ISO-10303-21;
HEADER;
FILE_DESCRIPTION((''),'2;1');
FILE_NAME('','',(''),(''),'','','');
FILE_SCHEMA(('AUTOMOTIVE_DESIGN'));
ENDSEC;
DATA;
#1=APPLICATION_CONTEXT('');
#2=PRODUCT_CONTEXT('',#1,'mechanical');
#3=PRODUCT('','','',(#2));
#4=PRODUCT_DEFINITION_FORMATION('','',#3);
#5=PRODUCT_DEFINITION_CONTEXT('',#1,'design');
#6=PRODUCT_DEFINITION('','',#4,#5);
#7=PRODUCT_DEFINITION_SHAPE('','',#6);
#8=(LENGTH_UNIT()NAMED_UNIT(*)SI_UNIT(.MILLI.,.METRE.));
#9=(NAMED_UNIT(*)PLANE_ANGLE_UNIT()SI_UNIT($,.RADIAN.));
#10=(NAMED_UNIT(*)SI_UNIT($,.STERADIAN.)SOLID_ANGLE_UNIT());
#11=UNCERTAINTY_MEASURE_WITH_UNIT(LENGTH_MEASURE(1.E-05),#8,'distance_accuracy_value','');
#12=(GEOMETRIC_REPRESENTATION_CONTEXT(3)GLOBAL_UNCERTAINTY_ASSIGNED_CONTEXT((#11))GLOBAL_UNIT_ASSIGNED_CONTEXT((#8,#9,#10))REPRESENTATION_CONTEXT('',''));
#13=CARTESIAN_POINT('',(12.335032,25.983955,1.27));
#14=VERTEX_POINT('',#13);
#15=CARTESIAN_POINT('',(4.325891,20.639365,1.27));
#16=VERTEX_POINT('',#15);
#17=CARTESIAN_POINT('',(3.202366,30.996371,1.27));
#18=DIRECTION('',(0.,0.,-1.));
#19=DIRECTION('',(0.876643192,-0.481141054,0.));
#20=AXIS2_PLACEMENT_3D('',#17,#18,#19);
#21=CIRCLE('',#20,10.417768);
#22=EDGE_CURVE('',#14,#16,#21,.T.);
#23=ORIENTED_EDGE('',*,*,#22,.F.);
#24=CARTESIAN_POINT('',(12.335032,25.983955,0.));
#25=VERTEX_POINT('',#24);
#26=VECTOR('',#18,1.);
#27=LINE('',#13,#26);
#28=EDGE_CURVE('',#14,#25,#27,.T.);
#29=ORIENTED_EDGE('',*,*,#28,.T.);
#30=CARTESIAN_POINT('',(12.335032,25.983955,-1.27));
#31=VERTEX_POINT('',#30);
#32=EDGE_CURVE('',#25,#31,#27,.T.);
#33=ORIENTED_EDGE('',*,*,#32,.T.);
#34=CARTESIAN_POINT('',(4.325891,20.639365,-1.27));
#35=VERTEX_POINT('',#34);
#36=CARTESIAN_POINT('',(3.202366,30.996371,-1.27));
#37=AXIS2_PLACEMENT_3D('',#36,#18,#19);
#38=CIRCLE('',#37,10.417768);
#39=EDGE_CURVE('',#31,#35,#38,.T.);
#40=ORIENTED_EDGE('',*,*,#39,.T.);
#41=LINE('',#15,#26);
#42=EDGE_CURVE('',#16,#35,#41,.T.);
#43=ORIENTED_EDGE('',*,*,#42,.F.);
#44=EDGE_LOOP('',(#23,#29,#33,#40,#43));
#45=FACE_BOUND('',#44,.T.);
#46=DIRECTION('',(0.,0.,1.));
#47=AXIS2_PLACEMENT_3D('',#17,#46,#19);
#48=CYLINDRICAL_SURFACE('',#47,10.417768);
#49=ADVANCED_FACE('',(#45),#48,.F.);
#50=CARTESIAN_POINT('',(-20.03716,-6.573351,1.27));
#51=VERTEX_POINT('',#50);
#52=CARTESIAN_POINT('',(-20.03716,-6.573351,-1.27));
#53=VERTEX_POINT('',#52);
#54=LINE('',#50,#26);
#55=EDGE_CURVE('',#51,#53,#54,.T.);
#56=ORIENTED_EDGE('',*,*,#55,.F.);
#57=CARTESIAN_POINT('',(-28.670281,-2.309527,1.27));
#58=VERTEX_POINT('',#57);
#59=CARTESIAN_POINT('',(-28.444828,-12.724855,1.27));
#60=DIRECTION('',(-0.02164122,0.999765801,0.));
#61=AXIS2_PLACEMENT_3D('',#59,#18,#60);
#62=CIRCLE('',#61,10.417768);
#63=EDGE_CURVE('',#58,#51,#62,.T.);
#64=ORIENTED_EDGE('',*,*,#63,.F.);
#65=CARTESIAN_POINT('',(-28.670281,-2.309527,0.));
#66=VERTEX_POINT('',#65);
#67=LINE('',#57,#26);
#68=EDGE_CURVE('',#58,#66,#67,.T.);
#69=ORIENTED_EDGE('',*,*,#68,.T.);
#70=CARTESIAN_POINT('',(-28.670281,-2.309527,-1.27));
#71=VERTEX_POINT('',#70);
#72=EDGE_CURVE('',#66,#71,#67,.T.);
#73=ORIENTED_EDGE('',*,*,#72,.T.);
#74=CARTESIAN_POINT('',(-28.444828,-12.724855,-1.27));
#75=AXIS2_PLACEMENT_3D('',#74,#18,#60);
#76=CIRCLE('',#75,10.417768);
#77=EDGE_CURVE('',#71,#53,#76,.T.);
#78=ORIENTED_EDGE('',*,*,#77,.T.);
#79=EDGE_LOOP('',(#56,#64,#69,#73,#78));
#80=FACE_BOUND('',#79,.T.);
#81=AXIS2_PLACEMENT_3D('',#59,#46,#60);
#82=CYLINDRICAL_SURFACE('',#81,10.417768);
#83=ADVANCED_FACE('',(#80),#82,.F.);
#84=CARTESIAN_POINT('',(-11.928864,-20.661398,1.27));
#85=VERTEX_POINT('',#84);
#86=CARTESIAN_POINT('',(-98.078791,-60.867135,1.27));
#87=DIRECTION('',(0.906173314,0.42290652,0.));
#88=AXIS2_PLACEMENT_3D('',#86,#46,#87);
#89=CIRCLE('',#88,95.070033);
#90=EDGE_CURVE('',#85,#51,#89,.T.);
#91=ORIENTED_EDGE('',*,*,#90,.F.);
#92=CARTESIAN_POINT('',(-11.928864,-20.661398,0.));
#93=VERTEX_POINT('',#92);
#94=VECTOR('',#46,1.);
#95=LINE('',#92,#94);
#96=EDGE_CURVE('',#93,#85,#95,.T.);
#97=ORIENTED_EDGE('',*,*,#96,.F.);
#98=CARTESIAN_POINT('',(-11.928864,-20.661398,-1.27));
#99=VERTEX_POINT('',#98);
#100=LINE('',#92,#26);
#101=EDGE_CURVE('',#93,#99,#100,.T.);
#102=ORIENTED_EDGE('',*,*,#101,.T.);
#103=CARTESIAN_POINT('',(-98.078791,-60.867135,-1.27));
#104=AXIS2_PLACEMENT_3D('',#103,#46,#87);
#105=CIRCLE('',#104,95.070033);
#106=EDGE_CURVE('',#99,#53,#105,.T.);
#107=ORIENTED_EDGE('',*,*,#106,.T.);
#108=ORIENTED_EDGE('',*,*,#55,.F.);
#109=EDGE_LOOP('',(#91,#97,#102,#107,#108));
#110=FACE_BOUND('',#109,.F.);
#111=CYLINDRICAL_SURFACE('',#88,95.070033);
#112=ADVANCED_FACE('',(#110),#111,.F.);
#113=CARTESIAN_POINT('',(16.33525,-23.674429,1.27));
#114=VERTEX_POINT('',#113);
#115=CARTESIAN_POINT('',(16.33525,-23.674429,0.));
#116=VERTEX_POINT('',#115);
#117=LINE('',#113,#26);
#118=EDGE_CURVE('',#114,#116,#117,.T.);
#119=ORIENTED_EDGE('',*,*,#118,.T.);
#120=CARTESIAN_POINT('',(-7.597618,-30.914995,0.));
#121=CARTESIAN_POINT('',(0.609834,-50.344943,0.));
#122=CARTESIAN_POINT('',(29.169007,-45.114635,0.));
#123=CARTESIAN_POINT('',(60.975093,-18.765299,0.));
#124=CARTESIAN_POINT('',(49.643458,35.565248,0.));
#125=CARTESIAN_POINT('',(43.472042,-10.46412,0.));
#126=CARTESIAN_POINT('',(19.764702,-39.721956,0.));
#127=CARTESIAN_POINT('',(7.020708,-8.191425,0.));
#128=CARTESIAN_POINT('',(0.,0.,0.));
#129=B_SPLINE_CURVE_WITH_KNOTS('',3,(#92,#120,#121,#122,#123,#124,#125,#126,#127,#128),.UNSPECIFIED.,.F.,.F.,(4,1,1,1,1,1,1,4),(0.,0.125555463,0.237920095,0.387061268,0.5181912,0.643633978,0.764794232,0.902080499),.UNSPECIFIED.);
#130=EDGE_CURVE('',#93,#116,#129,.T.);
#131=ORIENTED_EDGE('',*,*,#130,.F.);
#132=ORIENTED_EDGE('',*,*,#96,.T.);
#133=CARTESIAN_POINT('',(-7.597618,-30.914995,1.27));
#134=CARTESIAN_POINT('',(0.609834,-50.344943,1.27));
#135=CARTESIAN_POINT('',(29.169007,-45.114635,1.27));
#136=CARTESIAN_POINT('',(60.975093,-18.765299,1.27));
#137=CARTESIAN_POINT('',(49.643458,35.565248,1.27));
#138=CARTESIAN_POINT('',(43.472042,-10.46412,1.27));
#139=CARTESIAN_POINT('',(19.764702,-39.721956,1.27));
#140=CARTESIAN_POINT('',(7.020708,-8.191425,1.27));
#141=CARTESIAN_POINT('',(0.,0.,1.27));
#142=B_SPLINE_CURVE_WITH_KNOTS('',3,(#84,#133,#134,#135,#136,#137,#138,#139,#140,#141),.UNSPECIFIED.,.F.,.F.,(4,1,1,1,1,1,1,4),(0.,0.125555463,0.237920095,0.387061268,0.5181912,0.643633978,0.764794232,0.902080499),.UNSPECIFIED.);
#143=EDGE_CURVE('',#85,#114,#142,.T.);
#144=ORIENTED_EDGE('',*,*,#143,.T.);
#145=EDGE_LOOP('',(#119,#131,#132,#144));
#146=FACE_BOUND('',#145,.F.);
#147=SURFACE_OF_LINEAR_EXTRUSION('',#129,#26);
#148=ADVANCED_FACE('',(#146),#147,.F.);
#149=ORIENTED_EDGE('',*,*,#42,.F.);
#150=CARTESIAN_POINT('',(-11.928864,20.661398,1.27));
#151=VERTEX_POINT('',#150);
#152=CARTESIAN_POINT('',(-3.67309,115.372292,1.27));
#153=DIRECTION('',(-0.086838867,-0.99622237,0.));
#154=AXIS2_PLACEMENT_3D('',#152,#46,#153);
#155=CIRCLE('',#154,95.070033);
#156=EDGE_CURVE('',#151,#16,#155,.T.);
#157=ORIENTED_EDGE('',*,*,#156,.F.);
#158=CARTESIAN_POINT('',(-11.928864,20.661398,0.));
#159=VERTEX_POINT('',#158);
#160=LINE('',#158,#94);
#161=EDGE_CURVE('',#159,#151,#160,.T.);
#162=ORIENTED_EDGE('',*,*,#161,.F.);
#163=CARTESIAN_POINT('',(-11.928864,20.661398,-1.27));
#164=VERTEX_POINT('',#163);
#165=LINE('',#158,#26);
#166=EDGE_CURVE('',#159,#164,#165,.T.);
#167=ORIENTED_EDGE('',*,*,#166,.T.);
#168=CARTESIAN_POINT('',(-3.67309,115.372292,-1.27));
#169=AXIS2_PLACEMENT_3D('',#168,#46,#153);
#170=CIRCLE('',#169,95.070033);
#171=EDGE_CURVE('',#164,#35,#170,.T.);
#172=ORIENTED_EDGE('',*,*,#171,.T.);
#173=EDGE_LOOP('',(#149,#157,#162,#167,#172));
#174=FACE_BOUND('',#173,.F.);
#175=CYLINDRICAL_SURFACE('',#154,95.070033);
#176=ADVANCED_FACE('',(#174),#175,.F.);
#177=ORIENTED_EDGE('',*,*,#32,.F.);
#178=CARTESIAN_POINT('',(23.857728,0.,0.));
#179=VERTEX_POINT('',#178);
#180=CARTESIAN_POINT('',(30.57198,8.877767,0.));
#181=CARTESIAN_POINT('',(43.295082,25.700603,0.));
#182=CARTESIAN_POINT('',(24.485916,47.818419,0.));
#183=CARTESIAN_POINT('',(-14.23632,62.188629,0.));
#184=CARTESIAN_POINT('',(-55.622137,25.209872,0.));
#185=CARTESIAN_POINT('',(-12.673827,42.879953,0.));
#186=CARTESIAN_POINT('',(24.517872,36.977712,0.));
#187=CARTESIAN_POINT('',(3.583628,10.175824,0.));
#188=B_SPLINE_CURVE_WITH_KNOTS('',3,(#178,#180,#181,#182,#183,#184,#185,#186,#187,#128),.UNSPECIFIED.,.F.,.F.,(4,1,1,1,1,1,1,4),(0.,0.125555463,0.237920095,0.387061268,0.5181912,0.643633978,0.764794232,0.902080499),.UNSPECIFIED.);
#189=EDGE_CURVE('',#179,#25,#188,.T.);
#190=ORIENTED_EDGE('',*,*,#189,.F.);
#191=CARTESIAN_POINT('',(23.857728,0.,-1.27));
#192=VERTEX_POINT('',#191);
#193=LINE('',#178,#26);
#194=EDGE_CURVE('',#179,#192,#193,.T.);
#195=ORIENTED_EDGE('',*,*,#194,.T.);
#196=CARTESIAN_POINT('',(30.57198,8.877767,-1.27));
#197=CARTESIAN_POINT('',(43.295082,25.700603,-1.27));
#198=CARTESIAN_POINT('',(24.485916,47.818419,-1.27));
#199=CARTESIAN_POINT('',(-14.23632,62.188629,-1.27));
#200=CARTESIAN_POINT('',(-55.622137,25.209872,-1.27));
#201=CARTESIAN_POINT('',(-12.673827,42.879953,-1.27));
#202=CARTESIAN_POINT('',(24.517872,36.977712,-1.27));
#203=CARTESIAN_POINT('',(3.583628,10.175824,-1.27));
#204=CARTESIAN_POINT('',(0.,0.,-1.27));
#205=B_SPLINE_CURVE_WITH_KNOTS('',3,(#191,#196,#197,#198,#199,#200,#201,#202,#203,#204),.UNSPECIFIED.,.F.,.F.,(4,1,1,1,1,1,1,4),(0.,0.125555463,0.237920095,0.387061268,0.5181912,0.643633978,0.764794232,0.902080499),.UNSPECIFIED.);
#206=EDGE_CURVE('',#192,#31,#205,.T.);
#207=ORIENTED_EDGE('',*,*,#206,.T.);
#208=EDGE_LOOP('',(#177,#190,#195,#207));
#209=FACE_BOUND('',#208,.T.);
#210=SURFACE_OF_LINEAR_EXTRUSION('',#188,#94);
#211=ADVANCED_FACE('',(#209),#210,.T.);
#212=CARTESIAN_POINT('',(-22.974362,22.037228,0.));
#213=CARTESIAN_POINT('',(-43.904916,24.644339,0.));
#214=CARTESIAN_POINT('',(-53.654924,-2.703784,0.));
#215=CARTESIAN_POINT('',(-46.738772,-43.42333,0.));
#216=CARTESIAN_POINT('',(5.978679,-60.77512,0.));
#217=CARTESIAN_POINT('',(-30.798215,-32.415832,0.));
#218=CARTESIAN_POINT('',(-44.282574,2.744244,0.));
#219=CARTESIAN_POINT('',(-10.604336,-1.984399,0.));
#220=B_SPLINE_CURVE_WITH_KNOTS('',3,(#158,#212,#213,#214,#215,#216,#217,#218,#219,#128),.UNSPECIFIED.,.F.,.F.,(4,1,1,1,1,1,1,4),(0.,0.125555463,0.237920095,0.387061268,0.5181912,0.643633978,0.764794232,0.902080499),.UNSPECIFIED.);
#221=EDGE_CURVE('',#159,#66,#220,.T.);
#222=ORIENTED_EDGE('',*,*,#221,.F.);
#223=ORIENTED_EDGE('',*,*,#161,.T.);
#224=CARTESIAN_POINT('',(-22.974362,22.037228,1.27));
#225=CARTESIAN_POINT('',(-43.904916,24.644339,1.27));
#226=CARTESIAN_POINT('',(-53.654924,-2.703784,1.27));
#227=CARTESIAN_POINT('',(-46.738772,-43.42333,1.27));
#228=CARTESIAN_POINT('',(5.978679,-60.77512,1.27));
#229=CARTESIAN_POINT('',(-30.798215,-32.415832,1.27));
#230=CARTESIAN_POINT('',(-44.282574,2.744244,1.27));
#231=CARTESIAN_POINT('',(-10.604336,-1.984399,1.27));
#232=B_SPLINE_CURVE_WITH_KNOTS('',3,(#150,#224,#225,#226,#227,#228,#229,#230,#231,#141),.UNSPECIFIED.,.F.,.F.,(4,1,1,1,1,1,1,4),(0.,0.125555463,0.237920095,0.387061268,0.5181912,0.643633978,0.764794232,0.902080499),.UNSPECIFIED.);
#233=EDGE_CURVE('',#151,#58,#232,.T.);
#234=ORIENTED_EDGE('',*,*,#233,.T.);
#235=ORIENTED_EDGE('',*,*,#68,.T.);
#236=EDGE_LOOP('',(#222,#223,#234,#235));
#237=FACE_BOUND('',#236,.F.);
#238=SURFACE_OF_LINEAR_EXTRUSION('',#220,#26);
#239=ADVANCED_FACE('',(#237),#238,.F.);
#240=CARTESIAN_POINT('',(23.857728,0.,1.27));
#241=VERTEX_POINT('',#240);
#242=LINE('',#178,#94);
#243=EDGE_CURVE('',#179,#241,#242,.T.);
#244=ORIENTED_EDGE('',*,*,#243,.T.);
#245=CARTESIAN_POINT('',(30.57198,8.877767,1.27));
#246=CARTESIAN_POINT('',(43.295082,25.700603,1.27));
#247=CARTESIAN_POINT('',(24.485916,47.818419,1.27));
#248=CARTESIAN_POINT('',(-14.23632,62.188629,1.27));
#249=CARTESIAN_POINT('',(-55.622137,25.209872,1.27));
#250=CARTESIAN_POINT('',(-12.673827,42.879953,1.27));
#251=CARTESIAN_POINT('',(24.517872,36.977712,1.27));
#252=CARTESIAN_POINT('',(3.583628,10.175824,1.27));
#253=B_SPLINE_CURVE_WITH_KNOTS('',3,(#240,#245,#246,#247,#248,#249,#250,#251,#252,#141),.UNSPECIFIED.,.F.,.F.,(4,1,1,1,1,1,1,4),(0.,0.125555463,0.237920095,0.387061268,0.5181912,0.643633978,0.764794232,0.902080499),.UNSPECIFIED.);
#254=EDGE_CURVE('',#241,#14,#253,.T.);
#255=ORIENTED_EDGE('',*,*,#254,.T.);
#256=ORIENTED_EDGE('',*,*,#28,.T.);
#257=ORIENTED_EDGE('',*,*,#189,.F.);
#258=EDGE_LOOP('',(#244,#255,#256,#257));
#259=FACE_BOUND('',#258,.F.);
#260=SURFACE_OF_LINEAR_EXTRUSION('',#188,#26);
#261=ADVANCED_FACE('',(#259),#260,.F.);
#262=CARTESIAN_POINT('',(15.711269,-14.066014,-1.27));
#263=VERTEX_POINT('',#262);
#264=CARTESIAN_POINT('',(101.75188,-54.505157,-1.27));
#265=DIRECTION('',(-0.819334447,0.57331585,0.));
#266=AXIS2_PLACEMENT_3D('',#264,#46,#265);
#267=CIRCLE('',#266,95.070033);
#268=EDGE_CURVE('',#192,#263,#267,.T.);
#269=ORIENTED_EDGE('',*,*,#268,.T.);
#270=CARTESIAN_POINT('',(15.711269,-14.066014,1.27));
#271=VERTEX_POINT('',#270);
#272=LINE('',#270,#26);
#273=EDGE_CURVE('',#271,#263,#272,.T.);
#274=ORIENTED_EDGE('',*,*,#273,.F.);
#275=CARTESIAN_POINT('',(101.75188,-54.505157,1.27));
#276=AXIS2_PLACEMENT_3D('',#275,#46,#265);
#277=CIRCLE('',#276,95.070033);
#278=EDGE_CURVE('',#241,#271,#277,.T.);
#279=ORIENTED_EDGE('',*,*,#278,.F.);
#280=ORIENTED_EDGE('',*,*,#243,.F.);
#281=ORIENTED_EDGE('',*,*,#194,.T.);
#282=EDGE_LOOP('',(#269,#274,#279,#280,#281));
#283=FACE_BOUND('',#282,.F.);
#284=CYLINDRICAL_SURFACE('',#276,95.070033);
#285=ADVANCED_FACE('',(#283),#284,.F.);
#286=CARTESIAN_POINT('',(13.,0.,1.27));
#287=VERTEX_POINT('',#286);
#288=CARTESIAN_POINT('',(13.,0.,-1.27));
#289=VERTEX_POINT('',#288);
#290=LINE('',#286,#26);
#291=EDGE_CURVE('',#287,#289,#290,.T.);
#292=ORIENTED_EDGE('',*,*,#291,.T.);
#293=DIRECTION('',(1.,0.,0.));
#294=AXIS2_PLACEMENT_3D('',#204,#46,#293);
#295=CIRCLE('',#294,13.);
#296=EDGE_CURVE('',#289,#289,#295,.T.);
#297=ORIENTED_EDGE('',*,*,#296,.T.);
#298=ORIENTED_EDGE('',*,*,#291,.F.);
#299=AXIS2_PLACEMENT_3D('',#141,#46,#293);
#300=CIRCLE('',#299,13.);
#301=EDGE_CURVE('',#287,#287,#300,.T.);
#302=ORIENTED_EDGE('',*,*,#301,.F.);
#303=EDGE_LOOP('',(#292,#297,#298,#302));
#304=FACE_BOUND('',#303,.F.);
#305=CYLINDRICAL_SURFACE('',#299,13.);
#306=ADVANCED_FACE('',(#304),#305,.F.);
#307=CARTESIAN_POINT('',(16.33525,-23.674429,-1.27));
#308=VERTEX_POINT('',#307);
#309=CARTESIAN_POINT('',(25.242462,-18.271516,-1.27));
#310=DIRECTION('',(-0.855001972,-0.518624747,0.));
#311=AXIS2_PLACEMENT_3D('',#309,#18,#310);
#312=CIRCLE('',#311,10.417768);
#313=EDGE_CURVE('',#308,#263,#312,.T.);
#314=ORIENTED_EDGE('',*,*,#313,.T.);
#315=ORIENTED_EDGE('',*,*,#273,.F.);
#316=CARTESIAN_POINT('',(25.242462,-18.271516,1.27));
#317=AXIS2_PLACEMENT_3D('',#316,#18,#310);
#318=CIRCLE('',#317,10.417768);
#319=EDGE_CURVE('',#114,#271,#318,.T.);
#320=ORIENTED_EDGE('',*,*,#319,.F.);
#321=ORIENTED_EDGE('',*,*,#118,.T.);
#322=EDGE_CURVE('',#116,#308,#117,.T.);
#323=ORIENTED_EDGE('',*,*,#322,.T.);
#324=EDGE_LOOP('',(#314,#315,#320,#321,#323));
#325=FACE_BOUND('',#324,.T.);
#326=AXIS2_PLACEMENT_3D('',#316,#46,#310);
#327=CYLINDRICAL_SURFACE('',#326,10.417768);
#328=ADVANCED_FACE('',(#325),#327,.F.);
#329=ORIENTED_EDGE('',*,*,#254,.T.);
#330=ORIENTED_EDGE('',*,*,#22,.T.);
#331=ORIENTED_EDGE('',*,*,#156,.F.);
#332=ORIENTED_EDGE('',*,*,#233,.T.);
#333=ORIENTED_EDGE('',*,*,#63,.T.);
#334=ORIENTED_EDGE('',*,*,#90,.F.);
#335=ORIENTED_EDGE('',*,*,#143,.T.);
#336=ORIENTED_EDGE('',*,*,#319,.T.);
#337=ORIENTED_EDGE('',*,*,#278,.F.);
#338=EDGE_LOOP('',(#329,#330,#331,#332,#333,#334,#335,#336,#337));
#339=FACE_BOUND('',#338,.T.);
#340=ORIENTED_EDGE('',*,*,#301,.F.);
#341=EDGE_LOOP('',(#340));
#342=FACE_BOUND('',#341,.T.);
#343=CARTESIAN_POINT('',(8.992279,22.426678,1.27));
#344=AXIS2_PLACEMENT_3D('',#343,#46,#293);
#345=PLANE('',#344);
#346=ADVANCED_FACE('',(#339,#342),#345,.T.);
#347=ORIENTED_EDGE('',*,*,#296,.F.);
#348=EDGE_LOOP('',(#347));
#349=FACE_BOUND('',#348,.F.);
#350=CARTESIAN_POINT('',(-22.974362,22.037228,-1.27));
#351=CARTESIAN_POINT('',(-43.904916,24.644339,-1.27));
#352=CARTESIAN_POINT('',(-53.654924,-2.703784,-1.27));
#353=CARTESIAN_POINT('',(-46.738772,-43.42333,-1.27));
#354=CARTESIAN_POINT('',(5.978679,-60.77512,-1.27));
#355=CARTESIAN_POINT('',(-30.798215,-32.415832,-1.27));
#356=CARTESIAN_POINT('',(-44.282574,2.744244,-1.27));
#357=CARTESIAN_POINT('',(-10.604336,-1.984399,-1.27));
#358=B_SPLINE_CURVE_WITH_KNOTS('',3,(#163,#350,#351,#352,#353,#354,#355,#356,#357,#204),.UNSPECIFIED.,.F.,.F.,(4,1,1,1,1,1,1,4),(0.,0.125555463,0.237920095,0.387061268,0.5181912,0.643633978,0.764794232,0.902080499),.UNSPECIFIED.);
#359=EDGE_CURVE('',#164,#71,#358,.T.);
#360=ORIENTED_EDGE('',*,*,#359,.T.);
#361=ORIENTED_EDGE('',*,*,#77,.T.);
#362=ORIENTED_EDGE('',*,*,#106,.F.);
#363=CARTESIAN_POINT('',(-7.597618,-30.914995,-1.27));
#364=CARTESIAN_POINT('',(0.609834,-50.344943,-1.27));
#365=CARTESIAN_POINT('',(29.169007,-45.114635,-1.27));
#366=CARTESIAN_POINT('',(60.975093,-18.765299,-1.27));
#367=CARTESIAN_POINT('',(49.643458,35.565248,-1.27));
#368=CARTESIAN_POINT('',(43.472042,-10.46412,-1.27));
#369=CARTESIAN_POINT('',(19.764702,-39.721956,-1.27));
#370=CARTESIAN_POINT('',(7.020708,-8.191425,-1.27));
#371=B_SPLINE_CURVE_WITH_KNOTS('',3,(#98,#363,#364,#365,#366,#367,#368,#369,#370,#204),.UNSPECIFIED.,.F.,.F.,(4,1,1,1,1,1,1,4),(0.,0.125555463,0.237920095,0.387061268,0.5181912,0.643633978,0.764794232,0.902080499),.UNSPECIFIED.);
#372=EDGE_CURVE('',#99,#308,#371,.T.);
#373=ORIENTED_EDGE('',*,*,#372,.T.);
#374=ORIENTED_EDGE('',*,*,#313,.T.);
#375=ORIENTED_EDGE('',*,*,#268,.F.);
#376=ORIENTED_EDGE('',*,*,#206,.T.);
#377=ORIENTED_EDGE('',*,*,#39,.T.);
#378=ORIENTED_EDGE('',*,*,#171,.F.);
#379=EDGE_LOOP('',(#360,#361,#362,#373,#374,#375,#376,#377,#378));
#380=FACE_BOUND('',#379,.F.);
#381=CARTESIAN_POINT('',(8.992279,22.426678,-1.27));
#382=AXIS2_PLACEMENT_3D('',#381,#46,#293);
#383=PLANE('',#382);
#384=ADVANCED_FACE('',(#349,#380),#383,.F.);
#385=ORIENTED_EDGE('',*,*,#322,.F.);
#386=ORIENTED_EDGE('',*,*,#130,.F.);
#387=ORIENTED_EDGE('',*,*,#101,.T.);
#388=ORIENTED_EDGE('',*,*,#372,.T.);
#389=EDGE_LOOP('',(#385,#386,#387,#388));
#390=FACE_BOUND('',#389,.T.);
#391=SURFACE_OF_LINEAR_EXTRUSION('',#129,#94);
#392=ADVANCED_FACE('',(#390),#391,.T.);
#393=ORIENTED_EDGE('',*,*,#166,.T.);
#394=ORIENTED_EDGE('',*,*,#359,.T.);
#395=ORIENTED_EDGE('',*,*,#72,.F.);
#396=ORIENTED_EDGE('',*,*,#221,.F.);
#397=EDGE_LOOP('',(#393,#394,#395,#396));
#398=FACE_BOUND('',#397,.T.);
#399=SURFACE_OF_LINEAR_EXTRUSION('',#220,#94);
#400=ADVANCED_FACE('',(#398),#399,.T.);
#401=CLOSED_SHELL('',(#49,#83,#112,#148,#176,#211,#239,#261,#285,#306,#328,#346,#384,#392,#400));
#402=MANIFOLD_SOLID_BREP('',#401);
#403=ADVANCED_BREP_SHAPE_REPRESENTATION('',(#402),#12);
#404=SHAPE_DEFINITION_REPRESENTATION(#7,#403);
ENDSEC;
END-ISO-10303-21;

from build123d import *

# Parameters (mm, degrees)
F1_DEPTH  = 1.27
F3_COUNT  = 3
F4_R      = 23.8577276468
F5_DEPTH  = 1.27
F8_DEPTH  = 25.4
F10_DEPTH = 2.54
F11_R     = 13
F12_DEPTH = 25.4


with BuildPart() as f1:
    # F0 (on Top) → F1 (new body, symmetric)
    with BuildSketch(Plane.XY):
        with BuildLine():
            Line((0, 0), (23.8577276468, 0))
            add(Edge.make_bspline(
                [(23.8577276468, 0), (30.5719803383, 8.8777671603), (43.2950820909, 25.7006032082), (24.4859163239, 47.8184188707), (-14.2363203973, 62.1886290432), (-55.6221372384, 25.2098716819), (-12.6738268532, 42.8799527097), (24.5178719661, 36.9777118893), (3.5836276825, 10.1758240366), (0, 0)],
                knots=[0, 0, 0, 0, 0.1255554631, 0.237920095, 0.3870612682, 0.5181911997, 0.6436339777, 0.7647942318, 0.9020804987, 0.9020804987, 0.9020804987, 0.9020804987], degree=3))
        make_face()
    extrude(amount=F1_DEPTH, both=True)


with BuildPart() as f3_1:
    # F3: instance of F1
    add(f1.part.rotate(Axis((0, 0, 5.7280287147), (0, 0, 1)), 1 * 360 / F3_COUNT))


with BuildPart() as f3_2:
    # F3: instance of F1
    add(f1.part.rotate(Axis((0, 0, 5.7280287147), (0, 0, 1)), 2 * 360 / F3_COUNT))


with BuildPart() as f5:
    # F4 (on Top) → F5 (new body, symmetric)
    with BuildSketch(Plane.XY):
        Circle(F4_R)
    extrude(amount=F5_DEPTH, both=True)


with BuildPart() as f1_1:
    add(f1.part)

    # F6: union F3_1, F5, F3_2
    add(f3_1.part)
    add(f5.part)
    add(f3_2.part)

    # F7 (on face) → F8 (cut)
    with BuildSketch(Plane.XY.offset(1.27)):
        with BuildLine():
            ThreePointArc((10.5904510867, 21.3783421773), (-0.7591701545, 23.8456459159), (-11.9288638234, 20.6613982187))
            ThreePointArc((-11.9288638234, 20.6613982187), (-0.6478926448, 20.3504030144), (10.5904510867, 21.3783421773))
        make_face()
        with BuildLine():
            ThreePointArc((-11.9288638234, -20.6613982187), (-17.3000196653, -10.7362929965), (-23.8094129597, -1.5175714101))
            ThreePointArc((-23.8094129597, -1.5175714101), (-20.2713500556, -12.5802835975), (-11.9288638234, -20.6613982187))
        make_face()
        with BuildLine():
            ThreePointArc((13.218961873, -19.8607707673), (21.0305202101, -11.2653623184), (23.8577276468, 0))
            ThreePointArc((23.8577276468, 0), (17.9479123101, -9.6141100178), (13.218961873, -19.8607707673))
        make_face()
    extrude(amount=-F8_DEPTH, mode=Mode.SUBTRACT)

    # F9 (on face) → F10 (join)
    with BuildSketch(Plane.XY.offset(1.27)):
        with BuildLine():
            ThreePointArc((12.3350317991, 25.983955439), (8.9849713809, 22.3308436019), (4.325890987, 20.6393647271))
            ThreePointArc((4.325890987, 20.6393647271), (7.4643017139, 20.9568816429), (10.5904510867, 21.3783421773))
            add(Edge.make_bspline(
                [(12.3350317991, 25.983955439), (11.9039725752, 24.5216532404), (11.3022443095, 22.9761034981), (10.5904510867, 21.3783421773)],
                knots=[0.7961507909, 0.7961507909, 0.7961507909, 0.7961507909, 0.8158514513, 0.8158514513, 0.8158514513, 0.8158514513], degree=3))
        make_face()
        with BuildLine():
            ThreePointArc((16.3352496014, -23.674428614), (14.8465921567, -18.946635269), (15.7112686782, -14.0660138523))
            ThreePointArc((15.7112686782, -14.0660138523), (14.4170410298, -16.9427157272), (13.218961873, -19.8607707673))
            add(Edge.make_bspline(
                [(16.3352496014, -23.674428614), (15.2843883614, -22.5699692763), (14.2467671546, -21.2760824408), (13.218961873, -19.8607707673)],
                knots=[0.7961507909, 0.7961507909, 0.7961507909, 0.7961507909, 0.8158514513, 0.8158514513, 0.8158514513, 0.8158514513], degree=3))
        make_face()
        with BuildLine():
            add(Edge.make_bspline(
                [(-28.6702814005, -2.309526825), (-27.1883609366, -1.9516839641), (-25.549011464, -1.7000210573), (-23.8094129597, -1.5175714101)],
                knots=[0.7961507909, 0.7961507909, 0.7961507909, 0.7961507909, 0.8158514513, 0.8158514513, 0.8158514513, 0.8158514513], degree=3))
            ThreePointArc((-28.6702814005, -2.309526825), (-23.8315635376, -3.3842083328), (-20.0371596652, -6.5733508748))
            ThreePointArc((-20.0371596652, -6.5733508748), (-21.8813427438, -4.0141659156), (-23.8094129597, -1.5175714101))
        make_face()
    extrude(amount=-F10_DEPTH)

    # F11 (on face) → F12 (cut)
    with BuildSketch(Plane.XY.offset(1.27)):
        Circle(F11_R)
    extrude(amount=-F12_DEPTH, mode=Mode.SUBTRACT)


solid = f1_1.part
